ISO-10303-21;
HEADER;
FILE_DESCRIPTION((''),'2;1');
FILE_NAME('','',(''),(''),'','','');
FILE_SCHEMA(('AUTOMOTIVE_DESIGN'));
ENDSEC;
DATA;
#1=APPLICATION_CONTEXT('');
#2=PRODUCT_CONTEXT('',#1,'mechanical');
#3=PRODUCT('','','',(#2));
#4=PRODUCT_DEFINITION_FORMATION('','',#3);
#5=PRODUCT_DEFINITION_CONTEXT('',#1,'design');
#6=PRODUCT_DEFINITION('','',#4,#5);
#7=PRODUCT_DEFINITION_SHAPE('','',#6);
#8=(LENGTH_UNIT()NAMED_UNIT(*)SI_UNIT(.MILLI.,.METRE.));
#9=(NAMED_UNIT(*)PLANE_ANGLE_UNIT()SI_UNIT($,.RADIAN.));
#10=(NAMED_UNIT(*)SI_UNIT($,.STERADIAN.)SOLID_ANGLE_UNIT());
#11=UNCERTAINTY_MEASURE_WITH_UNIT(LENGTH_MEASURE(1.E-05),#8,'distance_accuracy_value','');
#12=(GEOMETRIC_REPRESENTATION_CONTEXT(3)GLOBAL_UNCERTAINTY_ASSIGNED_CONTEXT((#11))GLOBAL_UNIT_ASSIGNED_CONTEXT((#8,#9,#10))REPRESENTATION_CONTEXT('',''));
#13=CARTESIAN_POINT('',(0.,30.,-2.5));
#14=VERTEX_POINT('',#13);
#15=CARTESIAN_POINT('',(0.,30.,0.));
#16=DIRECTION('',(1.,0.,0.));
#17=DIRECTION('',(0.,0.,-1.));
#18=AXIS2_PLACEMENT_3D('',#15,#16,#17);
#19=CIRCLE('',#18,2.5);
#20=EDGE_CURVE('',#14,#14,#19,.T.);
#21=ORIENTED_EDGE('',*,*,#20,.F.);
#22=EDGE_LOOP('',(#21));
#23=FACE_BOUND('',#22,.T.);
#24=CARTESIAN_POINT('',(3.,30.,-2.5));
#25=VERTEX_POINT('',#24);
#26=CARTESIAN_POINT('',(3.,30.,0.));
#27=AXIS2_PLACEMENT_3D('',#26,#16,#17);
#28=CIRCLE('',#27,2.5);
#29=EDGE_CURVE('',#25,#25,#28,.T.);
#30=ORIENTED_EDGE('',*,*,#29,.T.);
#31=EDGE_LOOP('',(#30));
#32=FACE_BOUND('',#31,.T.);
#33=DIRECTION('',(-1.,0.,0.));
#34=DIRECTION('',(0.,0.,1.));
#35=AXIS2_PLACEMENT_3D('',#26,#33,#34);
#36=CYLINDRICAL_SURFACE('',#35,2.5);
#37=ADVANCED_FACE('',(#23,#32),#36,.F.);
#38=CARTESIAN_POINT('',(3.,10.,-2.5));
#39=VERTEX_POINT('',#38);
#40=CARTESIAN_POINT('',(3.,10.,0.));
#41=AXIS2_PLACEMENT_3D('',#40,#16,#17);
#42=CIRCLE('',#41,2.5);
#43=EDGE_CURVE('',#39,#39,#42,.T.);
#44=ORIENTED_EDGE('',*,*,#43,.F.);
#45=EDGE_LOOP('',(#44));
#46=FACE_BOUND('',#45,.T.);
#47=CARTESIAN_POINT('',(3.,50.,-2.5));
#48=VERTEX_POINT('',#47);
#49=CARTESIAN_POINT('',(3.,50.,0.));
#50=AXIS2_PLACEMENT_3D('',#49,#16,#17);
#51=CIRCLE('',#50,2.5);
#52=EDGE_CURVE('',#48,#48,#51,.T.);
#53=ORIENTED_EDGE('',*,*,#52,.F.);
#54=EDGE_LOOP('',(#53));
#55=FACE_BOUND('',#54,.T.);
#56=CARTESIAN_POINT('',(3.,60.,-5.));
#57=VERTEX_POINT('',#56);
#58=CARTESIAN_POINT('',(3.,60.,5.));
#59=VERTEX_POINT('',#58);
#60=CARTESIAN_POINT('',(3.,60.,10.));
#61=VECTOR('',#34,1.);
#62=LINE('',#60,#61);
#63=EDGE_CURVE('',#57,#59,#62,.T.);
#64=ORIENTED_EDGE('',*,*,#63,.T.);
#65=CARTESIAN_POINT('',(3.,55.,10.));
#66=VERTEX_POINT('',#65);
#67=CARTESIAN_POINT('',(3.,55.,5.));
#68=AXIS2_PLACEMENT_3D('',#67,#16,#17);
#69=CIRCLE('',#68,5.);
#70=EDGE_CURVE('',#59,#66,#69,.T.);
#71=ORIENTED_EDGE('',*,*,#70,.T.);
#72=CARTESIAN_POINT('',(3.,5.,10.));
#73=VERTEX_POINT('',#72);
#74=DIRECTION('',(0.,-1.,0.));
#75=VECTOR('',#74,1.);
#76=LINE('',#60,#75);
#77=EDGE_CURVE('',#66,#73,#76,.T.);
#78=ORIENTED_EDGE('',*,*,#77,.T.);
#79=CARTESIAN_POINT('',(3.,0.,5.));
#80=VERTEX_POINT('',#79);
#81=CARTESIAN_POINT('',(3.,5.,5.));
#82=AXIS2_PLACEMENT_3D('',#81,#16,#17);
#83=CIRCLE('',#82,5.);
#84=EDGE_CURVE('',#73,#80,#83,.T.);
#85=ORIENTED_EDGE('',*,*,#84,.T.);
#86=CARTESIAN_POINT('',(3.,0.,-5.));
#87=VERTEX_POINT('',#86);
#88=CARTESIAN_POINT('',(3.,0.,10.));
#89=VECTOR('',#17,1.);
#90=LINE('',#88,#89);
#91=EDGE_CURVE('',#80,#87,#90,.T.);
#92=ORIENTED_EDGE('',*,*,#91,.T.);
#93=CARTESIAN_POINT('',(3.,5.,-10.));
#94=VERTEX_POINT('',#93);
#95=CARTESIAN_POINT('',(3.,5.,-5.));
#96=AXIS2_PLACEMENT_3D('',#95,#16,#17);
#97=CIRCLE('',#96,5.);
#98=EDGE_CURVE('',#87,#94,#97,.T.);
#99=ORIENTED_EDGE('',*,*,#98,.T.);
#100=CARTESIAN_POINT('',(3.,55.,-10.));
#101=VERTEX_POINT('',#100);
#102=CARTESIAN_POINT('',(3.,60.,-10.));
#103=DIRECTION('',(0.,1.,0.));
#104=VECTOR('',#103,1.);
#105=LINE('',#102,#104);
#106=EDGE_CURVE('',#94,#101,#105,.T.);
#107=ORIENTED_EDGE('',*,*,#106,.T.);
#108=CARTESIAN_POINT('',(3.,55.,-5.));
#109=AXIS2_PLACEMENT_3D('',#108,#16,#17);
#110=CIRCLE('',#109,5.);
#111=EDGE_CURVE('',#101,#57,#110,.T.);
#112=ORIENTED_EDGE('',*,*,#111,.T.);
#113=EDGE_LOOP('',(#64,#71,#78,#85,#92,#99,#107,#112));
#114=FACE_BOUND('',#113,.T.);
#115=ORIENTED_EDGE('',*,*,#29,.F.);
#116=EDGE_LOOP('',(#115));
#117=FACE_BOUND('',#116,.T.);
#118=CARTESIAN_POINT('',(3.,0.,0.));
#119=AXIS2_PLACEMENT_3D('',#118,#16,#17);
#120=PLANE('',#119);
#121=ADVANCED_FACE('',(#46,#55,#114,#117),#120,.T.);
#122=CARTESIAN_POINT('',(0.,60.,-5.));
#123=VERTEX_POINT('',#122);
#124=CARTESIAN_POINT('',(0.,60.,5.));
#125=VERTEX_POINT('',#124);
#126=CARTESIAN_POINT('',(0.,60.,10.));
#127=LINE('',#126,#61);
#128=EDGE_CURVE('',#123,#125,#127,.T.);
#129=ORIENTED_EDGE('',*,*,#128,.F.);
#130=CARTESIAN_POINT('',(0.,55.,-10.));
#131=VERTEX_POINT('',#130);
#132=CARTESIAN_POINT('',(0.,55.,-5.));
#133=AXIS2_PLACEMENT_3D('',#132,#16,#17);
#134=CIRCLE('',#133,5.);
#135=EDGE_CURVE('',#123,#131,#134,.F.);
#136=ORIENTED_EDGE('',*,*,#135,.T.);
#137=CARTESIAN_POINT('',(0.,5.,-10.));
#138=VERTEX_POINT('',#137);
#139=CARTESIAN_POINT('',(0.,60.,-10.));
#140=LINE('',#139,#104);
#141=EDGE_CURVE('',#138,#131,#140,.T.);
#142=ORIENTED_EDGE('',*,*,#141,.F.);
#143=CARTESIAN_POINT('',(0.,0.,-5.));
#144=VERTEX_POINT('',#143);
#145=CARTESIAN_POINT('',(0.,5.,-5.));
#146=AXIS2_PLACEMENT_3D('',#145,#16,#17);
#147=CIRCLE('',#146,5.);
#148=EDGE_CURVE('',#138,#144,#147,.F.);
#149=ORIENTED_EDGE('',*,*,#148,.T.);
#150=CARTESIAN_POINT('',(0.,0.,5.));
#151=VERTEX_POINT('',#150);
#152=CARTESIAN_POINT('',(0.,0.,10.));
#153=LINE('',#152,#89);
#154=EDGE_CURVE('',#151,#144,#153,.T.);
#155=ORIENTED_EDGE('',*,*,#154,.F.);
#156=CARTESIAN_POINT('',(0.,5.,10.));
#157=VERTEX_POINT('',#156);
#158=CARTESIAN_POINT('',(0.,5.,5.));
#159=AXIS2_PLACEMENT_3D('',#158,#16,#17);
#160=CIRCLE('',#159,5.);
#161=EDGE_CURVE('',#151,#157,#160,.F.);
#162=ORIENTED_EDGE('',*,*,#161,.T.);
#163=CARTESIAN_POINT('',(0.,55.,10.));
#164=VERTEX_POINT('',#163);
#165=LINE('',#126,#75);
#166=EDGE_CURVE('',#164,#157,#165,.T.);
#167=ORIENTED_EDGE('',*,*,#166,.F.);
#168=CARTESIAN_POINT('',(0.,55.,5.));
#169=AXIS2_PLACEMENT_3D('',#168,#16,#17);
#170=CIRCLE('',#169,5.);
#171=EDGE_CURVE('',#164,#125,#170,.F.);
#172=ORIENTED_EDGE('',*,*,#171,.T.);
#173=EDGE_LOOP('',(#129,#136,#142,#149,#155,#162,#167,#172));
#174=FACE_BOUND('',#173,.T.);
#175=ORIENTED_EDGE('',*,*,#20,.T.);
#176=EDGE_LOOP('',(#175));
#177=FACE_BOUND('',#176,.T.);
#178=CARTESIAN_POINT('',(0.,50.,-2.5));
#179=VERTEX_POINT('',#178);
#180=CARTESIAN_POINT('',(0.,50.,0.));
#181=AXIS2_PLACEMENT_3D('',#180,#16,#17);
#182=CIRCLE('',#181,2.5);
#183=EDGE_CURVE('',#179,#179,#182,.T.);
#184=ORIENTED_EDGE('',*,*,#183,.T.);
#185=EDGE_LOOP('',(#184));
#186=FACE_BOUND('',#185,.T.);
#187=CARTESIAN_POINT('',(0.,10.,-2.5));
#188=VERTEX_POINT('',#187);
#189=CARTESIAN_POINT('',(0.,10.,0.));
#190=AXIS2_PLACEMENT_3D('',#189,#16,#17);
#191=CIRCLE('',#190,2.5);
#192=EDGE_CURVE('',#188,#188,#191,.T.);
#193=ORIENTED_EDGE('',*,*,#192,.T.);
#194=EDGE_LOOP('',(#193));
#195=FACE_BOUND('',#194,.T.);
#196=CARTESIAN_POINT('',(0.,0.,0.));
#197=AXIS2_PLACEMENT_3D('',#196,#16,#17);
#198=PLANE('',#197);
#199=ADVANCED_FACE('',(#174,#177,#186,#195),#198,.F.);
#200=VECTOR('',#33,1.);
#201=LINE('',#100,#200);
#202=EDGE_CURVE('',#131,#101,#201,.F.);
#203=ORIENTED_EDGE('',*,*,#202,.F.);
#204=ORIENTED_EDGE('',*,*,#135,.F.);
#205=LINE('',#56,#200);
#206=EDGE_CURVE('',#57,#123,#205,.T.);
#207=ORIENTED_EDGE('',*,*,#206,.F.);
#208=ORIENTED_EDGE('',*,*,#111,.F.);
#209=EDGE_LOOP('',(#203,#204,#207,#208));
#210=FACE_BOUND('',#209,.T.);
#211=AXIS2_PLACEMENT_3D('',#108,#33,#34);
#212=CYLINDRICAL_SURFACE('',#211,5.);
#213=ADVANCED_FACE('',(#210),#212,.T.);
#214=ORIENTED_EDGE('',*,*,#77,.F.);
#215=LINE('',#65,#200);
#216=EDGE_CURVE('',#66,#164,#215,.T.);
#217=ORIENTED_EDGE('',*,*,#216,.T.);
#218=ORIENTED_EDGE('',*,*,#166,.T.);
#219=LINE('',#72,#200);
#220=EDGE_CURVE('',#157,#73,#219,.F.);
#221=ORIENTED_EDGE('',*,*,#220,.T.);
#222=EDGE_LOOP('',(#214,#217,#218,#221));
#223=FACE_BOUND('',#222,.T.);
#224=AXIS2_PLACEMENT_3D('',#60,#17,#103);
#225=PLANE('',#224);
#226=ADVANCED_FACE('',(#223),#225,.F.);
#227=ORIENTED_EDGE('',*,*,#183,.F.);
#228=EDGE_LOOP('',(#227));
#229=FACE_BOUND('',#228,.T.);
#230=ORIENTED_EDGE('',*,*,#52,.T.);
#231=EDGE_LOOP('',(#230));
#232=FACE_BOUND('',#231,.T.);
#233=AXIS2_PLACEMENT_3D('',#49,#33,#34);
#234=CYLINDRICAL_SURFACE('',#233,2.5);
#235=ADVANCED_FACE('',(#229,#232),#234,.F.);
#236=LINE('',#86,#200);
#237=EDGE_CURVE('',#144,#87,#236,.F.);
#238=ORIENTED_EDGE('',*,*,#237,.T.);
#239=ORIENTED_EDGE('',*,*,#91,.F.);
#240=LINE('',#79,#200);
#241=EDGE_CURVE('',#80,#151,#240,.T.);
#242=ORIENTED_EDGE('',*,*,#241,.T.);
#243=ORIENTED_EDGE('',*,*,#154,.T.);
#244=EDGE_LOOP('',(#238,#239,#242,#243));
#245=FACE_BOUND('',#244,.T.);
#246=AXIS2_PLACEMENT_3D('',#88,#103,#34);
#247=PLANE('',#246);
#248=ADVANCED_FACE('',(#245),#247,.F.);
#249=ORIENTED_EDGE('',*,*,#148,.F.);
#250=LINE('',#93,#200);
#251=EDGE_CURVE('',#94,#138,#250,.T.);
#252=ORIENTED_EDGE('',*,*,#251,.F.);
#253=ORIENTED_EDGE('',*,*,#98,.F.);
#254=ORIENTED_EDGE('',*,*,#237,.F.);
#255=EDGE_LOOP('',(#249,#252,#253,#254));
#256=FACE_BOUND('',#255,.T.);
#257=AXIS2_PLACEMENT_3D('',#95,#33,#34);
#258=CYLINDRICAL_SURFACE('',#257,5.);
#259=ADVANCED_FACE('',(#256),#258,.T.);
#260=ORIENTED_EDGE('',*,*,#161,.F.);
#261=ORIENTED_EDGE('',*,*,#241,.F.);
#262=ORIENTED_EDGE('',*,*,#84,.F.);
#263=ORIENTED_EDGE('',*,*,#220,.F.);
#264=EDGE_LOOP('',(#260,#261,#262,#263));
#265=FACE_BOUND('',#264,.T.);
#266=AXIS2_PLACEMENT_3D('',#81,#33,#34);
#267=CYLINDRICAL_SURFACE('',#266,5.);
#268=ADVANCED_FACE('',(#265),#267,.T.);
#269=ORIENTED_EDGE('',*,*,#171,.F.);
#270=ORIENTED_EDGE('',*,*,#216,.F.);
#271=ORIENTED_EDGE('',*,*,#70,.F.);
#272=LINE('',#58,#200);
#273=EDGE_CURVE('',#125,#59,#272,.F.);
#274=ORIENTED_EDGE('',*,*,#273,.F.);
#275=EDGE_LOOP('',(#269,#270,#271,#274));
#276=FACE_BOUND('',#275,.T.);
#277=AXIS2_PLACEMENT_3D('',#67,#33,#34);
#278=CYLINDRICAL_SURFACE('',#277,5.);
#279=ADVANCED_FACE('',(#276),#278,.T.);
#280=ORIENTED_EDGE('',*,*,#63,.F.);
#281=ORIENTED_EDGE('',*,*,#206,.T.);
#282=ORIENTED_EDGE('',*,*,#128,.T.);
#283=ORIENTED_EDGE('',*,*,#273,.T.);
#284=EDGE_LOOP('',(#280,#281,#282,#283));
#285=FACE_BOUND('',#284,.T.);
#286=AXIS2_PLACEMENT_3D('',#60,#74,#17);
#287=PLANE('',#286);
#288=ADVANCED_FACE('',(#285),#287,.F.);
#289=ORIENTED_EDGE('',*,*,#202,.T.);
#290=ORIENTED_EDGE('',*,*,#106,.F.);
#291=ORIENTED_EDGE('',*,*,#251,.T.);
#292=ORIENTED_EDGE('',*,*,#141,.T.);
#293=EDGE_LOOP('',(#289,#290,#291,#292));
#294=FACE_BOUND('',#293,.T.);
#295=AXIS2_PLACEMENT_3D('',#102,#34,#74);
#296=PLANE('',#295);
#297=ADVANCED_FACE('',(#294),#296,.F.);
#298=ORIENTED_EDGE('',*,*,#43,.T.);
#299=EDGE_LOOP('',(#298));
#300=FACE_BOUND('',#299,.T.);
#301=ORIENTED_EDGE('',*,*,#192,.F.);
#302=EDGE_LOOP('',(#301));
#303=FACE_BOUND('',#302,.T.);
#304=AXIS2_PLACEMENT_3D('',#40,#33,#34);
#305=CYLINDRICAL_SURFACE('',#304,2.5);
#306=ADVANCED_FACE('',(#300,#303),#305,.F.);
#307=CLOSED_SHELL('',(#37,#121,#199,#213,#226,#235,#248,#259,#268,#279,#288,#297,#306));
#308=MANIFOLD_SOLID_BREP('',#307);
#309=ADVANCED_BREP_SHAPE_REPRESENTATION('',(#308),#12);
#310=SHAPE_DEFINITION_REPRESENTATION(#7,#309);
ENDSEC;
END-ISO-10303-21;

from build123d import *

# Parameters (mm, degrees)
SKETCH1_W           = 20
SKETCH1_H           = 60
SKETCH1_R           = 2.5
BOSS_EXTRUDE1_DEPTH = 3
FILLET1_R           = 5


with BuildPart() as part:
    # Sketch1 → Boss-Extrude1 (new body)
    with BuildSketch(Plane(origin=(0, 0, 0), x_dir=(0, 0, -1), z_dir=(1, 0, 0))):
        with Locations((0, 30)):
            Rectangle(SKETCH1_W, SKETCH1_H)
        with Locations((0, 10)):
            Circle(SKETCH1_R, mode=Mode.SUBTRACT)
        with Locations((0, 30)):
            Circle(SKETCH1_R, mode=Mode.SUBTRACT)
        with Locations((0, 50)):
            Circle(SKETCH1_R, mode=Mode.SUBTRACT)
    extrude(amount=BOSS_EXTRUDE1_DEPTH)

    # Fillet1
    fillet1_edges = [part.edges().sort_by_distance(p)[0] for p in [
        (1.5, 60, 10),
        (1.5, 60, -10),
        (1.5, 0, -10),
        (1.5, 0, 10),
    ]]
    fillet(fillet1_edges, radius=FILLET1_R)


solid = part.part
